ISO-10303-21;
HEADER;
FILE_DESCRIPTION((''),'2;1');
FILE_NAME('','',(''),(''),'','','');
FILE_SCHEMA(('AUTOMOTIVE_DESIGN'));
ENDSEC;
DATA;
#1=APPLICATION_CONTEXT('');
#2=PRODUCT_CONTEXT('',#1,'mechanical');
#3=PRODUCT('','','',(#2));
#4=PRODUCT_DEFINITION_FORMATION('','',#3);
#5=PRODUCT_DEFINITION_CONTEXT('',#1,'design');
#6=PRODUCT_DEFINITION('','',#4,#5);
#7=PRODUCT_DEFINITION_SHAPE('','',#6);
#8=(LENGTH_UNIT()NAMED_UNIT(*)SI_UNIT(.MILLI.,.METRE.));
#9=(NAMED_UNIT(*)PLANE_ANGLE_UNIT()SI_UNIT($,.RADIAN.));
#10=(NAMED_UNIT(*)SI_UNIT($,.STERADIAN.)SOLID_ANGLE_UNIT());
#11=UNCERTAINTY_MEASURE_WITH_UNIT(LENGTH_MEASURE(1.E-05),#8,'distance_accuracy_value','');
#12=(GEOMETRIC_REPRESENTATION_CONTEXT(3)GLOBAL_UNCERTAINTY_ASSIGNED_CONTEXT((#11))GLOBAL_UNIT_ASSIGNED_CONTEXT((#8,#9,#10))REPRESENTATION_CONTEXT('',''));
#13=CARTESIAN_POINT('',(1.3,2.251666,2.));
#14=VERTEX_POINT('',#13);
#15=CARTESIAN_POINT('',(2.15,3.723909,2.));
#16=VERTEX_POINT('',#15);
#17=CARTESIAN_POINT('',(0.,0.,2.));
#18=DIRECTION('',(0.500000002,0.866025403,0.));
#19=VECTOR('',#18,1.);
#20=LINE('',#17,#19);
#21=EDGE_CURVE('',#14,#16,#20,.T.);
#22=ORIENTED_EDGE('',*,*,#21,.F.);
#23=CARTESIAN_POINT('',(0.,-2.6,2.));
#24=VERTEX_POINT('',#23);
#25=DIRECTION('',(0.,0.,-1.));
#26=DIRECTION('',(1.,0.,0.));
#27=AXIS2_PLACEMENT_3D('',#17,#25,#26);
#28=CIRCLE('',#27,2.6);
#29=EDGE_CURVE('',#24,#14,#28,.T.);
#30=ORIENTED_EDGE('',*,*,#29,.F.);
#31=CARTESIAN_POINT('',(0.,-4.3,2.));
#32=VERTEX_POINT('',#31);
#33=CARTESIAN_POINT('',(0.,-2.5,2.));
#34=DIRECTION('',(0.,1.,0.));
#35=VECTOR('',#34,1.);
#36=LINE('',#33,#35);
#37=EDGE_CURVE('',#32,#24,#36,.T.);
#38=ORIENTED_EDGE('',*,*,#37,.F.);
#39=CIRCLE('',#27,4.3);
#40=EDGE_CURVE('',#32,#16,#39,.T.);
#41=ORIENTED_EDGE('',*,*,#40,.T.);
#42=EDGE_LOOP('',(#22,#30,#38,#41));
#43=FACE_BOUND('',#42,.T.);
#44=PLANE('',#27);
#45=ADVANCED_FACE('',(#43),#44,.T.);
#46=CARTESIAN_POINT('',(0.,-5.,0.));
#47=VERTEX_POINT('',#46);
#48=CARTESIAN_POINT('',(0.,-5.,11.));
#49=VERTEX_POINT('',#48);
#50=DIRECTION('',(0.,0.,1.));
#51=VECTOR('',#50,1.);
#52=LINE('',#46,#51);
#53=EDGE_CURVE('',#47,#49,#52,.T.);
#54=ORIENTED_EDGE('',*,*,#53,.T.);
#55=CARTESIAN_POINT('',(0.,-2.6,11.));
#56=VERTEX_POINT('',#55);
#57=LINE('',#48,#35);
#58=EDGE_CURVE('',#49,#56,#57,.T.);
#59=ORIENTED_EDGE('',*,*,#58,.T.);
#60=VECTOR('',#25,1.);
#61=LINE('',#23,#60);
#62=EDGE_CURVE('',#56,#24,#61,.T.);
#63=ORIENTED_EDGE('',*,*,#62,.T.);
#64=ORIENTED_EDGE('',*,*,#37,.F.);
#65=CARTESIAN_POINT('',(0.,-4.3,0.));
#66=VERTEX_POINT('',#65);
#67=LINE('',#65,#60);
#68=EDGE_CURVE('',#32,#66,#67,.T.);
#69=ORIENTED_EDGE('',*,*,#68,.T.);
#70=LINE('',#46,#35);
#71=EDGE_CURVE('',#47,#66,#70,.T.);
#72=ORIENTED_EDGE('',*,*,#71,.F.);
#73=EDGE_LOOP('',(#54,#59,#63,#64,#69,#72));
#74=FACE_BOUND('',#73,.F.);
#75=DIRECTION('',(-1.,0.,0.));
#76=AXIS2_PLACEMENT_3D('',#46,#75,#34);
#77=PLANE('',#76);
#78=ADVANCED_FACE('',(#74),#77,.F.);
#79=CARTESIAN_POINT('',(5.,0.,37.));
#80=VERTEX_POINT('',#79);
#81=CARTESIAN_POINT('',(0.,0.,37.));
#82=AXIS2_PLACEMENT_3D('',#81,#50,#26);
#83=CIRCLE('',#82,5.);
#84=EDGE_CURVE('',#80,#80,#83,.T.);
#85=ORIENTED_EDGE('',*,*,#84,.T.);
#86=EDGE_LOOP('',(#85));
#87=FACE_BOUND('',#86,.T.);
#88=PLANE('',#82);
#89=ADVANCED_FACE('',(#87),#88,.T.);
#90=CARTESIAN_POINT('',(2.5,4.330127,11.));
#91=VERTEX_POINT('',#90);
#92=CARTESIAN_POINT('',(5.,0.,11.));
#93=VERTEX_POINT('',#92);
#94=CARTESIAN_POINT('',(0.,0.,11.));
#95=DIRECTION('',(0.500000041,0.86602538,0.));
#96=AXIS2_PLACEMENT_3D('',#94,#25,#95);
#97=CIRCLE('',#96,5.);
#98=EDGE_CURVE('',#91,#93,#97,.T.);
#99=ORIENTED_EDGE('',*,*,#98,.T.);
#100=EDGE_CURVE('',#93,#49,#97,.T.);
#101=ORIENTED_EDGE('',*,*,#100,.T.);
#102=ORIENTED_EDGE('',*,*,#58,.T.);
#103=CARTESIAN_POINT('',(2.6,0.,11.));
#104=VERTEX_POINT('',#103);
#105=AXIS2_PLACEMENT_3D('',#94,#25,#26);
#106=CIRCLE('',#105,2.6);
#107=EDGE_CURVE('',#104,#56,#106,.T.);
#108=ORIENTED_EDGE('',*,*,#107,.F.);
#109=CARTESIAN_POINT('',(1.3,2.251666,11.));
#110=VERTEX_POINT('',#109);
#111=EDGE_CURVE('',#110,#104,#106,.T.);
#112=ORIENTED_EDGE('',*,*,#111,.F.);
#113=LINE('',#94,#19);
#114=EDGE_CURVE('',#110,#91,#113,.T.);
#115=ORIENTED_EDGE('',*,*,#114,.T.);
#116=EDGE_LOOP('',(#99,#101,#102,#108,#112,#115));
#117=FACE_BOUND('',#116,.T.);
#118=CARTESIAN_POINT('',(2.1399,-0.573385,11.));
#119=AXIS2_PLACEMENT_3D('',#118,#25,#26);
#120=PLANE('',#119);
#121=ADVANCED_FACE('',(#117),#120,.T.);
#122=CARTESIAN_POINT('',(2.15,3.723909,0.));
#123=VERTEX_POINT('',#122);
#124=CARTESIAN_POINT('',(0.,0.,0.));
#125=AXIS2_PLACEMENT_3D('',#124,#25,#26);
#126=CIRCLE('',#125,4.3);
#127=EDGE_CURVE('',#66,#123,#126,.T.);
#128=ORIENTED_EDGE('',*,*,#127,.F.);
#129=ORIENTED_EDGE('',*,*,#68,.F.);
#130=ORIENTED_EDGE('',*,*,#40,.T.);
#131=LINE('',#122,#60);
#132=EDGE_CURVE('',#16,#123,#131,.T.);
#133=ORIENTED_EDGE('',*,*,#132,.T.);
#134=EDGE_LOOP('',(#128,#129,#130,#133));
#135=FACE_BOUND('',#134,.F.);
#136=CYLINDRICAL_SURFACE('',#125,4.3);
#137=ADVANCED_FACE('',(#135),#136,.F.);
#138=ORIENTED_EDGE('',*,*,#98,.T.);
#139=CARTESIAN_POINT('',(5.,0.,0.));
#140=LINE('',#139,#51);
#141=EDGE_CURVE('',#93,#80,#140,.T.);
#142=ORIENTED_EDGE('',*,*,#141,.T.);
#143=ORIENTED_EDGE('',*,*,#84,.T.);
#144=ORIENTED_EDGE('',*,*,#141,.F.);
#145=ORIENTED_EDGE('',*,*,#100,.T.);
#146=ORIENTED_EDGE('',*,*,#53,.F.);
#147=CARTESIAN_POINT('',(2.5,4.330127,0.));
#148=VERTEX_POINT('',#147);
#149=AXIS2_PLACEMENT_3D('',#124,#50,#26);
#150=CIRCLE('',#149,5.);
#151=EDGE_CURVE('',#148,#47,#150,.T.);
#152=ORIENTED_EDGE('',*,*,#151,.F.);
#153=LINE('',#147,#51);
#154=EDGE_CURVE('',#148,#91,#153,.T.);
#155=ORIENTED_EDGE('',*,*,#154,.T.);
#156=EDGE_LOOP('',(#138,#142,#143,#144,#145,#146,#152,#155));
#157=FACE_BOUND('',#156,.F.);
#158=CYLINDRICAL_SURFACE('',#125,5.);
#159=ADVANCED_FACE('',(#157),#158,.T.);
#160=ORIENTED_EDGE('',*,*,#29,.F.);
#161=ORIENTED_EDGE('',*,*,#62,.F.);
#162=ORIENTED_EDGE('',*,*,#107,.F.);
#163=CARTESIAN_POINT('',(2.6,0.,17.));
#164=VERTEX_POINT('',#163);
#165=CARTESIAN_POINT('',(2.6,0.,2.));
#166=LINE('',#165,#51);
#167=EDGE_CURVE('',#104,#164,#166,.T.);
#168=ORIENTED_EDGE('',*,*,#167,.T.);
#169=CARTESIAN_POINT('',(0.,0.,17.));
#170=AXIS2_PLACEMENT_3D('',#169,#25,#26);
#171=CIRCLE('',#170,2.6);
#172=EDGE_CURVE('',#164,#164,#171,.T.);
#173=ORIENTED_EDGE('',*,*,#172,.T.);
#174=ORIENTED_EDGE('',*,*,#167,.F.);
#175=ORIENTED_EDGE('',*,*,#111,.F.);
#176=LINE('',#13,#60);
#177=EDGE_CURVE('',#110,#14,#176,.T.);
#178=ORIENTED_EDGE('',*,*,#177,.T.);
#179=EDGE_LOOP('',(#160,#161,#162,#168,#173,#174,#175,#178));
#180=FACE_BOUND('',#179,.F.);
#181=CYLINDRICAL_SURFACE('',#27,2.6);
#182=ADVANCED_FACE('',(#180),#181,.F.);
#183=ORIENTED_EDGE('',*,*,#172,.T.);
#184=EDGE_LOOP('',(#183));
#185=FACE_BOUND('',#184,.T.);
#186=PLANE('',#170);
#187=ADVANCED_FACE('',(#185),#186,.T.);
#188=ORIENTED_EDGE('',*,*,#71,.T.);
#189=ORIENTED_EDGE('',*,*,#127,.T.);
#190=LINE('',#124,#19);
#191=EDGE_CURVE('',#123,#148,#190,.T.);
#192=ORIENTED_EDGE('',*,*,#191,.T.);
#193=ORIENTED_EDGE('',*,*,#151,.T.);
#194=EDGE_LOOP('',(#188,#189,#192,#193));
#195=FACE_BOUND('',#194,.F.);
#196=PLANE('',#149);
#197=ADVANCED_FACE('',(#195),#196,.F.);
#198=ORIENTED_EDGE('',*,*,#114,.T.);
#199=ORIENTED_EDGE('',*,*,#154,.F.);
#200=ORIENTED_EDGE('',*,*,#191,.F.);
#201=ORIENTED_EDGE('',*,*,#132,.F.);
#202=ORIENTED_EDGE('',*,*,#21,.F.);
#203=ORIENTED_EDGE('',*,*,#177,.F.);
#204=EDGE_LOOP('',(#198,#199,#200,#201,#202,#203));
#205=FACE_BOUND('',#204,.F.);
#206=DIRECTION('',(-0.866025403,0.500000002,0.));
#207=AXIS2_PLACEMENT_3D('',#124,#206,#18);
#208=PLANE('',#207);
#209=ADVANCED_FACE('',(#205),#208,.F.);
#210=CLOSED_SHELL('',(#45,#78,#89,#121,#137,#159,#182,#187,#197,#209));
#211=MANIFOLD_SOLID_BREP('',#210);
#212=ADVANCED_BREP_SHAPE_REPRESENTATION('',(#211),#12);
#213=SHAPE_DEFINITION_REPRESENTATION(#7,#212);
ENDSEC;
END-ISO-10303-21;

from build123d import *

# Parameters (mm, degrees)
F0_R     = 5
F1_DEPTH = 37
F2_R     = 4.3
F3_DEPTH = 2
F4_R     = 2.6
F5_DEPTH = 15
F7_DEPTH = 11


with BuildPart() as f1:
    # F0 (on Top) → F1 (new body)
    with BuildSketch(Plane.XY):
        Circle(F0_R)
    extrude(amount=F1_DEPTH)

    # F2 (on face) → F3 (cut)
    with BuildSketch(Plane(origin=(0, 0, 0), x_dir=(1, 0, 0), z_dir=(0, 0, -1))):
        Circle(F2_R)
    extrude(amount=-F3_DEPTH, mode=Mode.SUBTRACT)

    # F4 (on face) → F5 (cut)
    with BuildSketch(Plane(origin=(0, 0, 2), x_dir=(1, 0, 0), z_dir=(0, 0, -1))):
        Circle(F4_R)
    extrude(amount=-F5_DEPTH, mode=Mode.SUBTRACT)

    # F6 (on face) → F7 (cut)
    with BuildSketch(Plane(origin=(0, 0, 0), x_dir=(1, 0, 0), z_dir=(0, 0, -1))):
        with BuildLine():
            Line((0, 5), (0, 0))
            Line((0, 0), (2.5, -4.330127))
            ThreePointArc((2.5, -4.330127), (4.829629, 1.294095), (0, 5))
        make_face()
    extrude(amount=-F7_DEPTH, mode=Mode.SUBTRACT)


solid = f1.part
